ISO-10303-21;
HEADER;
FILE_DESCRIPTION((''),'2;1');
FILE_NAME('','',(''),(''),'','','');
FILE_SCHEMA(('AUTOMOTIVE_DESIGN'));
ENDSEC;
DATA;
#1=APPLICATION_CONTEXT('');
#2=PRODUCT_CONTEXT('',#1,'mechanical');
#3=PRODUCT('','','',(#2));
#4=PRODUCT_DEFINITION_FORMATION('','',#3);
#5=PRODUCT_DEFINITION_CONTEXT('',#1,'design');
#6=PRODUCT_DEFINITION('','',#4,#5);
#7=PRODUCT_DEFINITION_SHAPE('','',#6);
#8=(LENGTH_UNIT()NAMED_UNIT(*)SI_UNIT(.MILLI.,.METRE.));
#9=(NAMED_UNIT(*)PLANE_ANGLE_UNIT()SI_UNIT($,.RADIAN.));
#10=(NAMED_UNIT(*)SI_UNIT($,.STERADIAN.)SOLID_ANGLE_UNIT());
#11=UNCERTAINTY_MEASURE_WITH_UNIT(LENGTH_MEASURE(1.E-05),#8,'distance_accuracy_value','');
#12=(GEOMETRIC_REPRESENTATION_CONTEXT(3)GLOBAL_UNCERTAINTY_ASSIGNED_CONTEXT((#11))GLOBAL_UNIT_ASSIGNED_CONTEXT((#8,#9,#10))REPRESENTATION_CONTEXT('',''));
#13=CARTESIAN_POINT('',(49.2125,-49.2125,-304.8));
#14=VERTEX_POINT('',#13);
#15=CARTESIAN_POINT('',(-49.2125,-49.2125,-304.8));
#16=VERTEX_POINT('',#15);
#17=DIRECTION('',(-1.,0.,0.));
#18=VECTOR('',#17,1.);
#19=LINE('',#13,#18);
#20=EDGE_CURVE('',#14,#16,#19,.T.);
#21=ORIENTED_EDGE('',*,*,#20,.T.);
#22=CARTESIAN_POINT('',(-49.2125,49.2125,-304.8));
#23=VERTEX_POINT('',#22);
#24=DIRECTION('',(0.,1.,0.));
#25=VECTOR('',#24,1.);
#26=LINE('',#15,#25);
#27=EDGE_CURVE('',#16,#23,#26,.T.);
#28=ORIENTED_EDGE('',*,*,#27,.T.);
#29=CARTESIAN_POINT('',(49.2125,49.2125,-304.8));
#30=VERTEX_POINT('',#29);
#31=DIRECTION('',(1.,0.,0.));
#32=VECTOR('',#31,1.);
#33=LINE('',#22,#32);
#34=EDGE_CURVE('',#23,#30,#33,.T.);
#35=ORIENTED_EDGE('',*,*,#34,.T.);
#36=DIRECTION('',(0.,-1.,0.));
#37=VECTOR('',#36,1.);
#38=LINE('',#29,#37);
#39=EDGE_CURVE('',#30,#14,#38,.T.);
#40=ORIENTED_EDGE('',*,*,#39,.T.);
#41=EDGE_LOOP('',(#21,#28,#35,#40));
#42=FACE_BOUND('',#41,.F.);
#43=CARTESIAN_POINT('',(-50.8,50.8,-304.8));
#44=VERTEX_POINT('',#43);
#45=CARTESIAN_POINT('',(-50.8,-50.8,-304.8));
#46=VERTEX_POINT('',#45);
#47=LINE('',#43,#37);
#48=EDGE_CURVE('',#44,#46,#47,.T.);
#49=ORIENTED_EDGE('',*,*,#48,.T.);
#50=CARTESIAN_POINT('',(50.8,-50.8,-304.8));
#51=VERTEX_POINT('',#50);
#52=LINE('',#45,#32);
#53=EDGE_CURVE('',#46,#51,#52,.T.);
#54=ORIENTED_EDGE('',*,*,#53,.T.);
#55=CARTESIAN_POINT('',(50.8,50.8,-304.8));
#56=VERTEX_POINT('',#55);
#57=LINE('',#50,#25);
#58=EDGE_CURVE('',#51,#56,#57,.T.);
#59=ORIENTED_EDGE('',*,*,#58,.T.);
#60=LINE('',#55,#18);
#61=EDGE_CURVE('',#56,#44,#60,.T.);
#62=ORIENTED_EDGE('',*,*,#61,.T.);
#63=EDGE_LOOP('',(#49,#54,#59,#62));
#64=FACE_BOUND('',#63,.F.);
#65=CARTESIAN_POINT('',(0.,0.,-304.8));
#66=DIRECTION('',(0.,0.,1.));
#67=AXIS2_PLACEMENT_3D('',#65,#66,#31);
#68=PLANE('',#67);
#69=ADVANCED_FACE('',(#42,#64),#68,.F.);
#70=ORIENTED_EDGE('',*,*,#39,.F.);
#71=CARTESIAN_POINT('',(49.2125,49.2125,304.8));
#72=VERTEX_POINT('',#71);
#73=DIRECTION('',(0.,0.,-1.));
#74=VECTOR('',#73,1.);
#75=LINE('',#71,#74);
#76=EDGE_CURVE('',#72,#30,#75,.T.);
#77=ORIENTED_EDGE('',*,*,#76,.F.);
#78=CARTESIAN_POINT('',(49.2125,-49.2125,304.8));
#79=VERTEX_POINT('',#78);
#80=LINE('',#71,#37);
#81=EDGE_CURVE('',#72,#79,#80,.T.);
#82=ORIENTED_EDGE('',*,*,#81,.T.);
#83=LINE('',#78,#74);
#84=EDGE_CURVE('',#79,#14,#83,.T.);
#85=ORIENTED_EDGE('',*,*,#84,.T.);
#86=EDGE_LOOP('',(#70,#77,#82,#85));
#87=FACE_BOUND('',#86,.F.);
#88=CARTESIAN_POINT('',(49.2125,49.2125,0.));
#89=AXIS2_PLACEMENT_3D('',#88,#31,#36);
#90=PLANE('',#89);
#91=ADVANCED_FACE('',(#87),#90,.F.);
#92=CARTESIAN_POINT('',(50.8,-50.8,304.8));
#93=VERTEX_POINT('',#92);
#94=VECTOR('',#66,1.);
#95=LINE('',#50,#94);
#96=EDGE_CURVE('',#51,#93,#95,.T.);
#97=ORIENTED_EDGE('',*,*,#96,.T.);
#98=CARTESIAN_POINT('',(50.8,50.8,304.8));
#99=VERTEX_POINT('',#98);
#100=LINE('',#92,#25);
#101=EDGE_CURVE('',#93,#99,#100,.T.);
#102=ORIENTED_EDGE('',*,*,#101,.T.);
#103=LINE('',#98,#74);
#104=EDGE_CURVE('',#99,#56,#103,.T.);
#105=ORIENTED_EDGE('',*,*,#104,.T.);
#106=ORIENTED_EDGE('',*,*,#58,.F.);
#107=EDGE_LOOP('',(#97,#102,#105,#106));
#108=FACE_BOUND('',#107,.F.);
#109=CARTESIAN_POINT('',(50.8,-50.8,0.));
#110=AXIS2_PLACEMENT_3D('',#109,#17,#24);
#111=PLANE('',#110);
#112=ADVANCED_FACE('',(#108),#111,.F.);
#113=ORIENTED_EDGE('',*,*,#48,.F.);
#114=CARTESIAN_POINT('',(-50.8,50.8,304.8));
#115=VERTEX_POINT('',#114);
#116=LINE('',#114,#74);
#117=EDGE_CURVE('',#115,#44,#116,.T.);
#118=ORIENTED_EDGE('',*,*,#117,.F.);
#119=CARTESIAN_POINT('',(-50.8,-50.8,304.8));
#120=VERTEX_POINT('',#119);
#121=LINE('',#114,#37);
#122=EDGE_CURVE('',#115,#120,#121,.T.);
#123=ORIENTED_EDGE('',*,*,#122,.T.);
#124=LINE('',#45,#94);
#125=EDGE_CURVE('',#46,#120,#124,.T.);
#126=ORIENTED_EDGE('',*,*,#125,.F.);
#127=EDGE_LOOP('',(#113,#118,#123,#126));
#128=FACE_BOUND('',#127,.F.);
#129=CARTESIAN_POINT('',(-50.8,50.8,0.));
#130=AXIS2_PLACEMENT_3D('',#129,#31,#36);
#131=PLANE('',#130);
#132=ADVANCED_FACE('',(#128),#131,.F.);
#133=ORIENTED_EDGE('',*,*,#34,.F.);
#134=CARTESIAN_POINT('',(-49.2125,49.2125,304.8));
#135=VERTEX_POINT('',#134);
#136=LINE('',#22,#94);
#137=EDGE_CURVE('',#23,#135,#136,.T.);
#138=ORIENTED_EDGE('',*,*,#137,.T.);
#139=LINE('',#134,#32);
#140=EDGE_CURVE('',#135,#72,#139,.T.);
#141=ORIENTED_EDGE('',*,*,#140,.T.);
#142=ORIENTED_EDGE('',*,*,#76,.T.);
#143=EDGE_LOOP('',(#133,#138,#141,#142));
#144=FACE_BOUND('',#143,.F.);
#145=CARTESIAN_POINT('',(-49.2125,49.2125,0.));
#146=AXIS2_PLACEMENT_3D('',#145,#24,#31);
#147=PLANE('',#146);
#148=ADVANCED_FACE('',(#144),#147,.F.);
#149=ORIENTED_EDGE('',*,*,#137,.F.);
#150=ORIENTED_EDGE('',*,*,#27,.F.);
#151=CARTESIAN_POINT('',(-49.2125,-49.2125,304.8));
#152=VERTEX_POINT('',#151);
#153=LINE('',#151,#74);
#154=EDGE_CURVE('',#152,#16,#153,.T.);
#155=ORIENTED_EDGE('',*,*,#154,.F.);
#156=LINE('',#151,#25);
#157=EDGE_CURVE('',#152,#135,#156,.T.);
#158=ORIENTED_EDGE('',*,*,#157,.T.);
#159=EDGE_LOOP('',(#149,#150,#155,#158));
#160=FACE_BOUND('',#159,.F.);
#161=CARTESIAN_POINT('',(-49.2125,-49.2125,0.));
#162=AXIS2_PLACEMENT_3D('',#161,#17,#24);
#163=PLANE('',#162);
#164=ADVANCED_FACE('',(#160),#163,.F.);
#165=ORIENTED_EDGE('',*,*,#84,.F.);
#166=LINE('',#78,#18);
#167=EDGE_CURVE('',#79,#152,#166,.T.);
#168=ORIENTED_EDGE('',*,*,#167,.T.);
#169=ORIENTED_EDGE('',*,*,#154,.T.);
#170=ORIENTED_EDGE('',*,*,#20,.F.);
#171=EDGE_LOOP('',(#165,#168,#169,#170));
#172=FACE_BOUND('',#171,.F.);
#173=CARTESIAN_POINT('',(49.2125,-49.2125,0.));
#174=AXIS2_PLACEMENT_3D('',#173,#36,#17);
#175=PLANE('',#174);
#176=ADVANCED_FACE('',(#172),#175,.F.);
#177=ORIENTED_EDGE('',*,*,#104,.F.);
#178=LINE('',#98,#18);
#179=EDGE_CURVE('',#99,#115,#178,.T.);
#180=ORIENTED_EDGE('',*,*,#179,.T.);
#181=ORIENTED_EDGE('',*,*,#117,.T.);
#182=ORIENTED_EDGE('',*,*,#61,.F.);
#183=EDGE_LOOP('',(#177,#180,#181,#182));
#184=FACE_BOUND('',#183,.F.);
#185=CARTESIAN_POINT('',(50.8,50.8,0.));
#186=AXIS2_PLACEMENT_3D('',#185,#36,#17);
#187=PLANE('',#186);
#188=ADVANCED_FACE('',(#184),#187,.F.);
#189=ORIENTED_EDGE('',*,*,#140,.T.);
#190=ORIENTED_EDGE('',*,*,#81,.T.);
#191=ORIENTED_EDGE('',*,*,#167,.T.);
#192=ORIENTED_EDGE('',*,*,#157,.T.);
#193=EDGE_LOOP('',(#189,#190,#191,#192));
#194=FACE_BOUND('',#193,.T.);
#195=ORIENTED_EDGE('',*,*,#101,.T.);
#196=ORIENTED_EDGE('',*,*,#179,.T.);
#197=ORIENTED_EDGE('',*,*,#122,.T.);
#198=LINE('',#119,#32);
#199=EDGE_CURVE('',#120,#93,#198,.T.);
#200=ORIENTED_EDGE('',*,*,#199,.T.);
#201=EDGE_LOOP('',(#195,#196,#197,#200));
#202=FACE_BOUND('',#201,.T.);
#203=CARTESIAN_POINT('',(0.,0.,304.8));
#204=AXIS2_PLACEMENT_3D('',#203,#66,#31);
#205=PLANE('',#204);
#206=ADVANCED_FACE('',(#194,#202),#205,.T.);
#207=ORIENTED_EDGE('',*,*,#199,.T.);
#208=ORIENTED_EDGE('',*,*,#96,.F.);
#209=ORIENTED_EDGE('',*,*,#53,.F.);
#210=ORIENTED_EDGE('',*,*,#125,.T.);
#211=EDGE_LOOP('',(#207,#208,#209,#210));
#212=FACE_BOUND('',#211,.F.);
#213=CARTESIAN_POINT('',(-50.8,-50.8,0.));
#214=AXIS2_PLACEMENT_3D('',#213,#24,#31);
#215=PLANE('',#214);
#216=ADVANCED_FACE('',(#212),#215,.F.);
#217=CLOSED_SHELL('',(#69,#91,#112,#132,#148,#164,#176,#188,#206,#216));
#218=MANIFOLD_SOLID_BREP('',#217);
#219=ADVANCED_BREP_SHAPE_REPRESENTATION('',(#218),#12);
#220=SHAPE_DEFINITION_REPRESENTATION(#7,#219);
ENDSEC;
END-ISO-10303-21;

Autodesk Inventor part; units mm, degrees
ref_plane "YZ Plane" through (0, 0, 0) normal (1, 0, 0) x (0, 1, 0)
ref_plane "XZ Plane" through (0, 0, 0) normal (0, 1, 0) x (-1, 0, 0)
ref_plane "XY Plane" through (0, 0, 0) normal (0, 0, 1) x (1, 0, 0)
sketch "Sketch1" plane through (0, 0, 0) normal (0, 0, 1) x (1, 0, 0)
  line L0 (-50.8, -50.8) -> (50.8, -50.8)
  line L1 (50.8, -50.8) -> (50.8, 50.8)
  line L2 (50.8, 50.8) -> (-50.8, 50.8)
  line L3 (-50.8, 50.8) -> (-50.8, -50.8)
  line L4 (-50.8, -50.8) -> (50.8, 50.8) construction
  line L5 (50.8, -50.8) -> (-50.8, 50.8) construction
  line L6 (-49.2125, 49.2125) -> (49.2125, 49.2125)
  line L7 (49.2125, 49.2125) -> (49.2125, -49.2125)
  line L8 (49.2125, -49.2125) -> (-49.2125, -49.2125)
  line L9 (-49.2125, -49.2125) -> (-49.2125, 49.2125)
  point P0 (0, 0)
  dimension "width" = 101.6
  dimension "height" = 101.6
  dimension "thickness" = 1.5875
extrude "Extrusion1" add sketch "Sketch1" along normal mid plane 609.6
ref_plane "Work Plane1" through (0, 0, -203.2) normal (0, 0, -1) x (-1, 0, 0)
properties part number "MU-007 arm" material "Aluminum 6061"
